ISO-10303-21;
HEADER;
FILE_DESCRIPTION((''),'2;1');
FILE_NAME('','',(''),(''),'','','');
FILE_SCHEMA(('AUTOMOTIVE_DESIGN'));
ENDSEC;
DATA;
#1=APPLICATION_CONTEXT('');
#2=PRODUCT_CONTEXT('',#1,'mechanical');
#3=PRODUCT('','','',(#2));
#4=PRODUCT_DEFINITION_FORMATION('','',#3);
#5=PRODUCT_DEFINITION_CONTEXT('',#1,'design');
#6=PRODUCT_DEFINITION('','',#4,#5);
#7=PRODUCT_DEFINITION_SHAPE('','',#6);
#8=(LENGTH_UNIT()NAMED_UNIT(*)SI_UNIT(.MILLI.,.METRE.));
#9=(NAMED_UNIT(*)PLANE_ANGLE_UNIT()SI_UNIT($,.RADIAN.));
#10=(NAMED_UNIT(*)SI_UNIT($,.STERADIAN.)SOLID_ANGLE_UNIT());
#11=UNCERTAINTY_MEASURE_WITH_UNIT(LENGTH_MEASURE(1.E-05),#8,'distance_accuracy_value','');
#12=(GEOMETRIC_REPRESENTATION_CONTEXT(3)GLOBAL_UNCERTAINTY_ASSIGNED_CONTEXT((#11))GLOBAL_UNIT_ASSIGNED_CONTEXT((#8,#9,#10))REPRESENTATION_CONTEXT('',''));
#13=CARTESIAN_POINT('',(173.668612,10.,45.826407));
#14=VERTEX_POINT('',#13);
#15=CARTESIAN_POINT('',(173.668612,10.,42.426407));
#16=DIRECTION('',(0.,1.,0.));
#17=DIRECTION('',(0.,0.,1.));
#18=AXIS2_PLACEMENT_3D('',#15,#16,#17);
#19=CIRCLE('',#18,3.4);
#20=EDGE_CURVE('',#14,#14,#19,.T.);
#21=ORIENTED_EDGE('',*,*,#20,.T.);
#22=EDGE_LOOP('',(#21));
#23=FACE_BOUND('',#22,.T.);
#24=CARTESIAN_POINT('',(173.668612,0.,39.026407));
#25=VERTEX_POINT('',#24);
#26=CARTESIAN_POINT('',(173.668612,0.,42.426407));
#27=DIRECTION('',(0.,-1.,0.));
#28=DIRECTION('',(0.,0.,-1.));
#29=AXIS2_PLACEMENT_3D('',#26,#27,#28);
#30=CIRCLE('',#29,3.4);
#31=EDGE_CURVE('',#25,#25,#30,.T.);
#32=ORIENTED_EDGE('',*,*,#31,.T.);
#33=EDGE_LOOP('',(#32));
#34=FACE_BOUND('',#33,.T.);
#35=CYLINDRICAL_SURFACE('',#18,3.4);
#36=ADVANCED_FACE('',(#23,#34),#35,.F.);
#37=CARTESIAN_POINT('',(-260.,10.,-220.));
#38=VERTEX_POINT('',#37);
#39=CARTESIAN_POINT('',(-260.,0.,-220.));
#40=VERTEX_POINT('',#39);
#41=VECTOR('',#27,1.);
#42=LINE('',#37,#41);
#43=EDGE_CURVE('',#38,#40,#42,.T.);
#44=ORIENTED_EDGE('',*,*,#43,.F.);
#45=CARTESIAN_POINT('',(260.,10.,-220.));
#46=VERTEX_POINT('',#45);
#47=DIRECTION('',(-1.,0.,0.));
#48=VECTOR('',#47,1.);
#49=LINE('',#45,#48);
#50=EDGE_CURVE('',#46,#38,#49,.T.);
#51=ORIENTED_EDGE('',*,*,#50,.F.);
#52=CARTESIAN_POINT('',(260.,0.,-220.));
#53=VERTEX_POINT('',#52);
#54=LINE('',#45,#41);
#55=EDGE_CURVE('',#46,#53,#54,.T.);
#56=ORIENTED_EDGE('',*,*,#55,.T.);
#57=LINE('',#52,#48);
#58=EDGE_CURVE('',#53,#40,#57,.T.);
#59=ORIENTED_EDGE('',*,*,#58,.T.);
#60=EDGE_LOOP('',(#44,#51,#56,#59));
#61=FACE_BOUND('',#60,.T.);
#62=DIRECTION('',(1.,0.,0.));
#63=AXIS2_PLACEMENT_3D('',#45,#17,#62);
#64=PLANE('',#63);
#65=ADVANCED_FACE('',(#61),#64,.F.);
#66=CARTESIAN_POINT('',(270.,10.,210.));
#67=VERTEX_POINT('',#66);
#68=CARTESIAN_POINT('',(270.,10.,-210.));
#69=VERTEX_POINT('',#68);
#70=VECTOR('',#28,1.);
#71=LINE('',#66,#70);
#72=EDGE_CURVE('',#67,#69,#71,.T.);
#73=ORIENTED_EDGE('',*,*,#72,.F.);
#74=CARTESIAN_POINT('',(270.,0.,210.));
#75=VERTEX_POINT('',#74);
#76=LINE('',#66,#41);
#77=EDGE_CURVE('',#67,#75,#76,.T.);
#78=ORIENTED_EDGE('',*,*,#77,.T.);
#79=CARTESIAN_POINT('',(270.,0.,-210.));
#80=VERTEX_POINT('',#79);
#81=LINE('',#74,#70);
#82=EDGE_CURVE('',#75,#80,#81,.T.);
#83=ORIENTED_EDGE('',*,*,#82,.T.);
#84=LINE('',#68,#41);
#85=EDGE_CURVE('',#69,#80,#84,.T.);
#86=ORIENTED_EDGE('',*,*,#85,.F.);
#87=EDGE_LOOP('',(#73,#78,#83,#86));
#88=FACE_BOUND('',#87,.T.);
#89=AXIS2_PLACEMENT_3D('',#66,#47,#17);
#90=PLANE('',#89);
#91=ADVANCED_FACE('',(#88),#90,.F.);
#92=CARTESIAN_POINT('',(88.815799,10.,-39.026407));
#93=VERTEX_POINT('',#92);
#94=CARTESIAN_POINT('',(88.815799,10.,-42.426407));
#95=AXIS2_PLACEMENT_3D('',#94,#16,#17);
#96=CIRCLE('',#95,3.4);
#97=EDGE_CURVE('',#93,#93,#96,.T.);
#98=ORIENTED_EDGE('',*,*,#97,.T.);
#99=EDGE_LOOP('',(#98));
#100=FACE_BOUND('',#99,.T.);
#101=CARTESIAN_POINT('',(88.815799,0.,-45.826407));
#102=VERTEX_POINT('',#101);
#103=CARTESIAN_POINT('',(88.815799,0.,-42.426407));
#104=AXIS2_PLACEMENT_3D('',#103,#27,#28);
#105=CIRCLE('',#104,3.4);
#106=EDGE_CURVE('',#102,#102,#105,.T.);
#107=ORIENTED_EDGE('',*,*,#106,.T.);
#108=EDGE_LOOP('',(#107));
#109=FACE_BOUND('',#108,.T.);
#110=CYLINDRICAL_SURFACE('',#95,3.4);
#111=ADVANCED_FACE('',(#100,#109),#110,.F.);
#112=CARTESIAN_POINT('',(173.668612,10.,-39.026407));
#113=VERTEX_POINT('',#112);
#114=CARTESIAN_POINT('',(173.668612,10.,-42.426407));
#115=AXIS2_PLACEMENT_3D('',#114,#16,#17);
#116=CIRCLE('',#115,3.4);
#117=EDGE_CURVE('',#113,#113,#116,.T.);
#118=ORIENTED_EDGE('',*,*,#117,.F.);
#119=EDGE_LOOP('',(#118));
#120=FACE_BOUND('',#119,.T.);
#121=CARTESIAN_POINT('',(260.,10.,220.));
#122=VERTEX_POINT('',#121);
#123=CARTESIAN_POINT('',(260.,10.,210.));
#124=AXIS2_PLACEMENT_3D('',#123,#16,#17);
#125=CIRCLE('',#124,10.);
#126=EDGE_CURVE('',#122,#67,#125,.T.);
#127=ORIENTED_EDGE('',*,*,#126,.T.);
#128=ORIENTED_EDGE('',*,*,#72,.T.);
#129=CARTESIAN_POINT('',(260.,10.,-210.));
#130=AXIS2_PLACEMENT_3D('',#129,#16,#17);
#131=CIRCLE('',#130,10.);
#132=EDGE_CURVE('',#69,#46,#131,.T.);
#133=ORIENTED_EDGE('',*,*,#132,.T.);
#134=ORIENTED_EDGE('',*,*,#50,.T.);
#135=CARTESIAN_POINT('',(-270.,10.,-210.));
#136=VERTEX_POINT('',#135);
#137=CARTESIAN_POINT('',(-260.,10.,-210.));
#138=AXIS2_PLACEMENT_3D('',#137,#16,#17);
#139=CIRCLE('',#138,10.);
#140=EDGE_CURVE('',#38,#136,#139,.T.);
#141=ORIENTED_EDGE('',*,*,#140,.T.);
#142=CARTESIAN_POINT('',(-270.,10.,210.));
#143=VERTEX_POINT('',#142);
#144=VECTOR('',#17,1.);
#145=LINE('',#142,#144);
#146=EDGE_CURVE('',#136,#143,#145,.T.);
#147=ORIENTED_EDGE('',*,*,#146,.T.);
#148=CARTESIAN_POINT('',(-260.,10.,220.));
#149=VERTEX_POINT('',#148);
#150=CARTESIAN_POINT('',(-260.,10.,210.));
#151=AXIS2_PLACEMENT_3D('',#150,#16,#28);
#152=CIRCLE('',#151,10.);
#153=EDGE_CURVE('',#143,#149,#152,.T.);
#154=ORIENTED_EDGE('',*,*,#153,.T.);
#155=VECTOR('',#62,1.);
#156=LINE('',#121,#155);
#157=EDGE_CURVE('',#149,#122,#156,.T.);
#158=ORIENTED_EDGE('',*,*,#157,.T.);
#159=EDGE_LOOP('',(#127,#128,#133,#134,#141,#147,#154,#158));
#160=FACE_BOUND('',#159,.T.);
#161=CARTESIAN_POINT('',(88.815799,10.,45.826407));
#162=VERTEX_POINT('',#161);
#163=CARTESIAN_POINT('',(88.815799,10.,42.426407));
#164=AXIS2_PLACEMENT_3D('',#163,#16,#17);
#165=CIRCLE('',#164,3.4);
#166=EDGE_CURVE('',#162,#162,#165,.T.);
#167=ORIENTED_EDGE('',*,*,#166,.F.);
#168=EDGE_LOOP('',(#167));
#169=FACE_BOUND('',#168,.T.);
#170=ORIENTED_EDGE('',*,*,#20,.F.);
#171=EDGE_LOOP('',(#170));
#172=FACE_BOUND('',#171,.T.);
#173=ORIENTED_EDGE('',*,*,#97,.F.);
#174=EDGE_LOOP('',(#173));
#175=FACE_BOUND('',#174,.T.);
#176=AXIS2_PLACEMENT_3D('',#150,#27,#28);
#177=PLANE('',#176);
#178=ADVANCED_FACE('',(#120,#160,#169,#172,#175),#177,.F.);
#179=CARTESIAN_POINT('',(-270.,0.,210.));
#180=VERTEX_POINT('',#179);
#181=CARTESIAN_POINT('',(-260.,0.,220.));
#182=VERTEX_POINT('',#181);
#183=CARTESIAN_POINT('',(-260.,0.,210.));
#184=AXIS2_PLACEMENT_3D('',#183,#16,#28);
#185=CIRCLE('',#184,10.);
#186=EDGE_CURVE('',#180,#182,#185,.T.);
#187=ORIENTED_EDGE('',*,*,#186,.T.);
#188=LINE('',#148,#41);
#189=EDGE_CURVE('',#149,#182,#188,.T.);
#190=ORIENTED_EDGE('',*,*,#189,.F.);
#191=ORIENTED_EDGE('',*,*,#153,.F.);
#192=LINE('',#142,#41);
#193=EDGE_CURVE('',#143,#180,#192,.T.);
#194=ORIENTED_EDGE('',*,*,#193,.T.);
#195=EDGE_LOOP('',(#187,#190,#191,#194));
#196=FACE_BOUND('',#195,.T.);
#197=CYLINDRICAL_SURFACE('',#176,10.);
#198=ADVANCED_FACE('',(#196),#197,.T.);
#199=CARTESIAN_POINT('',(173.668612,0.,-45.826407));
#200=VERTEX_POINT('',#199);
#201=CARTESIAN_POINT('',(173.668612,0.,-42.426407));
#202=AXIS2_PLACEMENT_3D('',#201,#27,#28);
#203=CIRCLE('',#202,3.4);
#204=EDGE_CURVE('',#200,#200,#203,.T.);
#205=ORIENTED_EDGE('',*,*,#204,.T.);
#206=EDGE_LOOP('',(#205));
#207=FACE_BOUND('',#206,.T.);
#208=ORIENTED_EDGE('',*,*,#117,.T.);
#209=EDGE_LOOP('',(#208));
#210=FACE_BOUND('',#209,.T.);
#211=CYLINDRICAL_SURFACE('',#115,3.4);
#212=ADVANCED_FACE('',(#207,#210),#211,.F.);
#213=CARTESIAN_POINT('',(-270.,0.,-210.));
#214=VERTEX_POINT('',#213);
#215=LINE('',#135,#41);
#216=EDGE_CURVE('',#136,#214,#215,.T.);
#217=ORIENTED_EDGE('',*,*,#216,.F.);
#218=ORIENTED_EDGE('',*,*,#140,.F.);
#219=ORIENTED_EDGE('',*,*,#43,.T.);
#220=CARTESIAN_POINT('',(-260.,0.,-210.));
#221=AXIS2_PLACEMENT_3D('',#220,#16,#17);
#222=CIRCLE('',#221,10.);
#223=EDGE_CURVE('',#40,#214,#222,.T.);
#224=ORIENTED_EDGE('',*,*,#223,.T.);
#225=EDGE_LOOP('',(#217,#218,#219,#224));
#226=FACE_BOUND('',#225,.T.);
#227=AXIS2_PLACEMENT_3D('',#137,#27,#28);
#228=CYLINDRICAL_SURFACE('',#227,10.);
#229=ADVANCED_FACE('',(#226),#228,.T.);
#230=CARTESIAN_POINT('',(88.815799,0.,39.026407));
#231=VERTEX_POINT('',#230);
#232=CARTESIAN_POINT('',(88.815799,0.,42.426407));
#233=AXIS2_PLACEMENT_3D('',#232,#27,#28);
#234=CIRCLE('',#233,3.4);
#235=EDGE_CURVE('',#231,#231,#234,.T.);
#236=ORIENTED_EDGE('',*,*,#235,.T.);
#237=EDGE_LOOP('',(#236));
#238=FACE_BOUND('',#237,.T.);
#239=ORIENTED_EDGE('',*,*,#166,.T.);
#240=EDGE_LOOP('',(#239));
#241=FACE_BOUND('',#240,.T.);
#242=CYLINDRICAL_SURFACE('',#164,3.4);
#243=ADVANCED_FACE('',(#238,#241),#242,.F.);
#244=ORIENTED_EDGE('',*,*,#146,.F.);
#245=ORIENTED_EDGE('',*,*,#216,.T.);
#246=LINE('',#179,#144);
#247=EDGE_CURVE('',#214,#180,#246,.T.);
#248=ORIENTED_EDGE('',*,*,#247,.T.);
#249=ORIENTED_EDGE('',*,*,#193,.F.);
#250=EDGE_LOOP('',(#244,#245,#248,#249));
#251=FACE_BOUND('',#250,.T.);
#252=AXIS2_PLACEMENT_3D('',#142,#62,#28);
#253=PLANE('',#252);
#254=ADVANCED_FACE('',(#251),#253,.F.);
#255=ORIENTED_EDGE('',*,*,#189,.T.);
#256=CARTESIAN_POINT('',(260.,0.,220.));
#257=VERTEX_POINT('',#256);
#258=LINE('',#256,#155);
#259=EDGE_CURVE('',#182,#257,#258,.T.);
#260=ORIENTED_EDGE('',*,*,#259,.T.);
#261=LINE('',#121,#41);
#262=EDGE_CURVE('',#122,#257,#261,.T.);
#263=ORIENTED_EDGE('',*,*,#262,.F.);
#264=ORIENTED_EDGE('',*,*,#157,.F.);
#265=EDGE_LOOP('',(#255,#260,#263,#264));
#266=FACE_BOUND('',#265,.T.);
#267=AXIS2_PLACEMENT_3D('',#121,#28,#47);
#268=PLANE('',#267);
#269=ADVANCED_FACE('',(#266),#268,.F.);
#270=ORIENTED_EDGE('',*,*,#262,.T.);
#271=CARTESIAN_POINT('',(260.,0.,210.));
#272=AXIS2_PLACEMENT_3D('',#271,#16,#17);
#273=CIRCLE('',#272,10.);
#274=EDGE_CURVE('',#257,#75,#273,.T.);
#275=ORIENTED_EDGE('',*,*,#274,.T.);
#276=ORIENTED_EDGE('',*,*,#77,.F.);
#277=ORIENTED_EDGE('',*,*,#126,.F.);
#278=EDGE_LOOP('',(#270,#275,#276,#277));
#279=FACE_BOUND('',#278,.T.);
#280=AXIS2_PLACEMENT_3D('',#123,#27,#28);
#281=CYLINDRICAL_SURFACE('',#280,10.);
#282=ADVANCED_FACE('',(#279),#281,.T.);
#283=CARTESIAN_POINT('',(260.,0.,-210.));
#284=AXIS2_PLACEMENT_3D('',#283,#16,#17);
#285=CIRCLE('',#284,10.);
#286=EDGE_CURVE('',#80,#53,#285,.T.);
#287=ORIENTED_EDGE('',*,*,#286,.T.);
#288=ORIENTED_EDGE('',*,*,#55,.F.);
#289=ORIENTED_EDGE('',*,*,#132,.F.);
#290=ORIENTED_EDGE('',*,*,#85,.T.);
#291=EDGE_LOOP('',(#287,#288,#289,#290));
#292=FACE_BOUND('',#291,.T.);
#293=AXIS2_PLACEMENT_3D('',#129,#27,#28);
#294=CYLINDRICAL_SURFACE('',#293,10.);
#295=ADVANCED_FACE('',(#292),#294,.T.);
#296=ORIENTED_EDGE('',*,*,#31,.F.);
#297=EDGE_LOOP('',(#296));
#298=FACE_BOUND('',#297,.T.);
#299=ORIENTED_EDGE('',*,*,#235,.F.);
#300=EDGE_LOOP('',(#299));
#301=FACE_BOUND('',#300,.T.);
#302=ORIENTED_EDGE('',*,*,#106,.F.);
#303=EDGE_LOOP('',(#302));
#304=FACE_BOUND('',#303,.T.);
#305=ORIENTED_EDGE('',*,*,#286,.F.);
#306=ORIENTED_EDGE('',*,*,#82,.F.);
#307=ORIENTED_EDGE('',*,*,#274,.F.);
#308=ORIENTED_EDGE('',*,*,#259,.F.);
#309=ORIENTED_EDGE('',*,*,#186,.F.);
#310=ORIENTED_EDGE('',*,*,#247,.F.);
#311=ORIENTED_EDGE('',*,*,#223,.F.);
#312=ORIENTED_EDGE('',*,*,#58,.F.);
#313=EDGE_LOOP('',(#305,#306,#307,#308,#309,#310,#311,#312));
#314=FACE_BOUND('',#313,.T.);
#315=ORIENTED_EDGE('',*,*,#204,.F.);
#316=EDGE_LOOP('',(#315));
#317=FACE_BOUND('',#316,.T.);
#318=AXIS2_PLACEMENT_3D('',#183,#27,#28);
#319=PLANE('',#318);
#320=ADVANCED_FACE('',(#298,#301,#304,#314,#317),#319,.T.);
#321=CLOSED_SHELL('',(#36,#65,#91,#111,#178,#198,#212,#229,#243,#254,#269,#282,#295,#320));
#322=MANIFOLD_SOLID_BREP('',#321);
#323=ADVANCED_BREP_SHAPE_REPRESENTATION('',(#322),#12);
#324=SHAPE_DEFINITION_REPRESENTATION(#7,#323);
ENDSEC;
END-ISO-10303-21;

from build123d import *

# Parameters (mm, degrees)
EXTRUDE1_DEPTH        = 10
M8_TAPPED_HOLE1_D     = 6.8
M8_TAPPED_HOLE1_DEPTH = 19.75
M8_TAPPED_HOLE1_TIP   = 2.042926105


with BuildPart() as part:
    # Sketch1 → Extrude1 (new body)
    with BuildSketch(Plane(origin=(0, 0, 0), x_dir=(1, 0, 0), z_dir=(0, 1, 0))):
        with BuildLine():
            Line((260, -220), (-260, -220))
            ThreePointArc((-260, -220), (-267.071067812, -217.071067812), (-270, -210))
            Line((-270, -210), (-270, 210))
            ThreePointArc((-270, 210), (-267.071067812, 217.071067812), (-260, 220))
            Line((-260, 220), (260, 220))
            ThreePointArc((260, 220), (267.071067812, 217.071067812), (270, 210))
            Line((270, 210), (270, -210))
            ThreePointArc((270, -210), (267.071067812, -217.071067812), (260, -220))
        make_face()
    extrude(amount=EXTRUDE1_DEPTH)

    # M8 Tapped Hole1
    with Locations(Plane(origin=(88.815798741, 10, -42.426406871), x_dir=(0, 0, 1), z_dir=(0, 1, 0))):
        with Locations((0, 0), (84.852813742, 0), (84.852813742, 84.852813742), (0, 84.852813742)):
            Hole(M8_TAPPED_HOLE1_D / 2, depth=M8_TAPPED_HOLE1_DEPTH)
            with Locations((0, 0, -(M8_TAPPED_HOLE1_DEPTH + M8_TAPPED_HOLE1_TIP / 2))):  # 118° drill point
                Cone(0, M8_TAPPED_HOLE1_D / 2, M8_TAPPED_HOLE1_TIP, mode=Mode.SUBTRACT)


solid = part.part
